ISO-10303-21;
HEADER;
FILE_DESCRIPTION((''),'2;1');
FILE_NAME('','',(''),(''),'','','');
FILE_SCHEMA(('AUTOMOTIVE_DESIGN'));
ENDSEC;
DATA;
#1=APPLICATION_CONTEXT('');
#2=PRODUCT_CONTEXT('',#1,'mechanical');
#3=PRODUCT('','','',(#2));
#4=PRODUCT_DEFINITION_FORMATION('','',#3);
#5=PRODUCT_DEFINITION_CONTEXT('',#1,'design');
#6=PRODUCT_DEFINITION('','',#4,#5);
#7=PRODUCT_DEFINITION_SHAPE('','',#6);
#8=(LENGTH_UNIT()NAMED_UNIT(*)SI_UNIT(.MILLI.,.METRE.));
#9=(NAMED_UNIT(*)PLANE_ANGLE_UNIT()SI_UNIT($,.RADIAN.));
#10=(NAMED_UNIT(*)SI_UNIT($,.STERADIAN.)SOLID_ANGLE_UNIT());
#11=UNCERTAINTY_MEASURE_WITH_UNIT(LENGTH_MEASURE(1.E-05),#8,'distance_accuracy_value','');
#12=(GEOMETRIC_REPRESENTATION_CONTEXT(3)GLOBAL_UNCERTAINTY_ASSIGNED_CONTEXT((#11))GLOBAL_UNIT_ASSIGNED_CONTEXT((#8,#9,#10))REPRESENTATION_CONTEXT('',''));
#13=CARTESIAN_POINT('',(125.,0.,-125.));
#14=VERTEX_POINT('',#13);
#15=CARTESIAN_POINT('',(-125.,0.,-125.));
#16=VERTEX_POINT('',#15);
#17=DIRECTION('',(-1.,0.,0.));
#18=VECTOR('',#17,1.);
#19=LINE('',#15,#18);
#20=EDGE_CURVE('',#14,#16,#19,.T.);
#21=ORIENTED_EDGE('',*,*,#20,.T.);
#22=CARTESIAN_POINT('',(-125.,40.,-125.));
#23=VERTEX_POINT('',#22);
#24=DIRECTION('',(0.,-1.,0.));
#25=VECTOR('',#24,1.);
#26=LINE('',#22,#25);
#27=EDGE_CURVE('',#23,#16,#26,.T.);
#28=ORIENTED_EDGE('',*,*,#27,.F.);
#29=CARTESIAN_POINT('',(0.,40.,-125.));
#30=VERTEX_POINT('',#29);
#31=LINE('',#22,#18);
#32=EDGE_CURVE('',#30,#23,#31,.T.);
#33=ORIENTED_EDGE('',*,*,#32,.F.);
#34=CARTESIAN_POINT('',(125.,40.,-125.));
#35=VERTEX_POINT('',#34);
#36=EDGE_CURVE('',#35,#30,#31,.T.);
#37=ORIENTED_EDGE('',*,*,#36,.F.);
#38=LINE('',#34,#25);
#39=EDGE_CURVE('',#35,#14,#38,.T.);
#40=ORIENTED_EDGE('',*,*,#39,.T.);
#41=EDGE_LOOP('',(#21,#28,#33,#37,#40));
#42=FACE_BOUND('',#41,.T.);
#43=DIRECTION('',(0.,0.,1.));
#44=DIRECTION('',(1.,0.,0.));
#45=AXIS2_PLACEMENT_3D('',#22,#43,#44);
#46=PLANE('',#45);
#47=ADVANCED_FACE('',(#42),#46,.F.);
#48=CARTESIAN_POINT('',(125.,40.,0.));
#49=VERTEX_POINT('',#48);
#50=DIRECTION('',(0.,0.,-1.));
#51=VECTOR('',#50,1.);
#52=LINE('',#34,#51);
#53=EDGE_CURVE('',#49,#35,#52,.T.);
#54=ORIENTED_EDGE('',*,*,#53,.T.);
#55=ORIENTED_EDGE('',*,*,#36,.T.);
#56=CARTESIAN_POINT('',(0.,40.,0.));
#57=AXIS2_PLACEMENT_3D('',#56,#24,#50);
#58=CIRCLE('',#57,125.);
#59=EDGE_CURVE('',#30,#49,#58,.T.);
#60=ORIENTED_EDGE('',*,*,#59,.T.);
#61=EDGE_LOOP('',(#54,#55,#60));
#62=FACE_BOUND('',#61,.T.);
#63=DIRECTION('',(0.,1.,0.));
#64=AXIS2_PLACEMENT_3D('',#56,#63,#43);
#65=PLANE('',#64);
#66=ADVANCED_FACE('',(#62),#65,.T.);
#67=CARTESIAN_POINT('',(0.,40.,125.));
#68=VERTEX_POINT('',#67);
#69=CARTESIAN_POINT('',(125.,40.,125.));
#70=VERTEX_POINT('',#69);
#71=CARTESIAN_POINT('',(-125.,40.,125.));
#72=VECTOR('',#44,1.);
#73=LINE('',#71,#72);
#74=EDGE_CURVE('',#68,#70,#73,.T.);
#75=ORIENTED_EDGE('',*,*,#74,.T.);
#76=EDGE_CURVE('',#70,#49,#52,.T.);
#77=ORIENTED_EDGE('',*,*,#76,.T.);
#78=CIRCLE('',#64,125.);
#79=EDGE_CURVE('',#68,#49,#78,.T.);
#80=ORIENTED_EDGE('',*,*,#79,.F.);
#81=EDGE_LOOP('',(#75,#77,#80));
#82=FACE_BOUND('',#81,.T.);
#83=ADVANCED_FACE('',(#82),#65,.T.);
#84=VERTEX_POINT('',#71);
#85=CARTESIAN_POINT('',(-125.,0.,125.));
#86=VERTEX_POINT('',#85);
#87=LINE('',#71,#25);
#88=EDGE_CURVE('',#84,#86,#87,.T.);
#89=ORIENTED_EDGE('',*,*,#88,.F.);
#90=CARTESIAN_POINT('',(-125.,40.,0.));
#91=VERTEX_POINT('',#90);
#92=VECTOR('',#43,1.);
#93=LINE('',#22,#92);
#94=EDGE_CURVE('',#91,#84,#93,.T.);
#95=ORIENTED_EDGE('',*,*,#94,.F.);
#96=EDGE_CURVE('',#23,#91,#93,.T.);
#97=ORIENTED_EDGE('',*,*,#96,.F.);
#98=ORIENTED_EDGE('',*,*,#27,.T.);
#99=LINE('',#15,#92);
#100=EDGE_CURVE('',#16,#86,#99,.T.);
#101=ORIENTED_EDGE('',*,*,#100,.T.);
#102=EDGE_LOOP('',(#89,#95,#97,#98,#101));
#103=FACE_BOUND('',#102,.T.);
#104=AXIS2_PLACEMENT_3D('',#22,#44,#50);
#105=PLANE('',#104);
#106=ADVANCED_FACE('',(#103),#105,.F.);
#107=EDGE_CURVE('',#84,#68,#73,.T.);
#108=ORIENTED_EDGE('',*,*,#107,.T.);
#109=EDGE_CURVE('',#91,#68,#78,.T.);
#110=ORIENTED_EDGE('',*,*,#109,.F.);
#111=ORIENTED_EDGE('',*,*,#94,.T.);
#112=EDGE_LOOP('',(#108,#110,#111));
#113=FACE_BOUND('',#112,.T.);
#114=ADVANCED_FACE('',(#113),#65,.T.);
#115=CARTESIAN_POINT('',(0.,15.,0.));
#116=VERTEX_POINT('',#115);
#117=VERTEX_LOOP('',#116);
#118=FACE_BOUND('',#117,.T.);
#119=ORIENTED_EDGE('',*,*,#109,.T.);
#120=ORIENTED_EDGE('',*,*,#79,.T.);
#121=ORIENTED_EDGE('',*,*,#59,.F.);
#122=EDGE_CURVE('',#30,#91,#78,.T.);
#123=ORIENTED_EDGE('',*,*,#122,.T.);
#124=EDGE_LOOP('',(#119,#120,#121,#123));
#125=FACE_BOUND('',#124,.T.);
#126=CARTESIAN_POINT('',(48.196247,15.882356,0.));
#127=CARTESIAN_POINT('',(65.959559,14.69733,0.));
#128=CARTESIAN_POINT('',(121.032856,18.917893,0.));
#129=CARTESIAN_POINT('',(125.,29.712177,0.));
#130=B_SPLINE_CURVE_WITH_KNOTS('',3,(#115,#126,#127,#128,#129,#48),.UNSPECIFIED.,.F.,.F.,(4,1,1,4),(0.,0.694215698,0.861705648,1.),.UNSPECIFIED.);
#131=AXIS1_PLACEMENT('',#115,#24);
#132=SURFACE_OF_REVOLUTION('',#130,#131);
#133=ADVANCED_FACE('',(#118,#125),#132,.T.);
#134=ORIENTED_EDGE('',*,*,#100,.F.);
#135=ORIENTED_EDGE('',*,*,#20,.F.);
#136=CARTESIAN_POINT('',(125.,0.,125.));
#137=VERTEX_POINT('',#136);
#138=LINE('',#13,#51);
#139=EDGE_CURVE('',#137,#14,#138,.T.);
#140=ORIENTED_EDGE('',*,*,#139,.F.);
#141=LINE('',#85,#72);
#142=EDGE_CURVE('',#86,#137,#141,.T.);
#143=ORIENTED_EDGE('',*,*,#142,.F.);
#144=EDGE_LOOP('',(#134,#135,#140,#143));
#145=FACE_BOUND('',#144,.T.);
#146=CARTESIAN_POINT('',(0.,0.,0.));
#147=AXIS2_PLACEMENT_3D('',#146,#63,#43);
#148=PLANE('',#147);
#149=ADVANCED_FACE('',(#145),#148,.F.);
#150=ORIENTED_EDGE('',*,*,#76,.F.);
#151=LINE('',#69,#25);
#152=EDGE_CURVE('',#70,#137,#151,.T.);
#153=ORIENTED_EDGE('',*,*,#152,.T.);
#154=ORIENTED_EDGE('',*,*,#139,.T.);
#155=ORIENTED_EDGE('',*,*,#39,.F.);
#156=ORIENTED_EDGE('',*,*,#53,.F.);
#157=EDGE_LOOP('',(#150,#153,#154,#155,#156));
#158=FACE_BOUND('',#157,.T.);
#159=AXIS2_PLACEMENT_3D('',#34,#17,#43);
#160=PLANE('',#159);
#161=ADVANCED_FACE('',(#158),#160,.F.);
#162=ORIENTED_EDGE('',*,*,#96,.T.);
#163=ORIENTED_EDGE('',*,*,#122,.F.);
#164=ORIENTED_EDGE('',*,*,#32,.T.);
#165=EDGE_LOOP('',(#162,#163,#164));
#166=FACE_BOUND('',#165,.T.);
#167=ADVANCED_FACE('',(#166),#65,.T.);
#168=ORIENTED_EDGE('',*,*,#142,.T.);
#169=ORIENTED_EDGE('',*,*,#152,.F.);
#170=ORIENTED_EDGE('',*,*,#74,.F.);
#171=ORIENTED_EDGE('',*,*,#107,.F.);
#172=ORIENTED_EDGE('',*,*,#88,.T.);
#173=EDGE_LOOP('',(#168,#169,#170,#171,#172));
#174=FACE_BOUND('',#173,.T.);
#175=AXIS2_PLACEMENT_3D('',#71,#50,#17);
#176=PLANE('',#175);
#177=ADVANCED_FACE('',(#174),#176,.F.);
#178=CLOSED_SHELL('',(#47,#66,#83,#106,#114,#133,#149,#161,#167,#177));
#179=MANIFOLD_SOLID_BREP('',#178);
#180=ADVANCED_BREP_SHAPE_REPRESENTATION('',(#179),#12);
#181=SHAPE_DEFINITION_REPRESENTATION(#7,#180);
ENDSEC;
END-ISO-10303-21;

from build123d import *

# Parameters (mm, degrees)
SKETCH1_W           = 250
SKETCH1_H           = 250
BOSS_EXTRUDE1_DEPTH = 40


with BuildPart() as part:
    # Sketch1 → Boss-Extrude1 (new body)
    with BuildSketch(Plane(origin=(0, 0, 0), x_dir=(1, 0, 0), z_dir=(0, 1, 0))):
        Rectangle(SKETCH1_W, SKETCH1_H)
    extrude(amount=BOSS_EXTRUDE1_DEPTH)

    # Sketch2 → Cut-Revolve2 (revolve, cut)
    with BuildSketch(Plane.XY):
        with BuildLine():
            Line((0, 15), (0, 63.116181733))
            Line((0, 63.116181733), (125, 40))
            add(Edge.make_bspline(
                [(0, 15), (48.1962468, 15.882356201), (65.959558565, 14.697330468), (121.032855803, 18.917893375), (125, 29.712177283), (125, 40)],
                knots=[0, 0, 0, 0, 0.694215698, 0.861705648, 1, 1, 1, 1], degree=3))
        make_face()
    revolve(axis=Axis((0, 15, 0), (0, 1, 0)), mode=Mode.SUBTRACT)


solid = part.part
